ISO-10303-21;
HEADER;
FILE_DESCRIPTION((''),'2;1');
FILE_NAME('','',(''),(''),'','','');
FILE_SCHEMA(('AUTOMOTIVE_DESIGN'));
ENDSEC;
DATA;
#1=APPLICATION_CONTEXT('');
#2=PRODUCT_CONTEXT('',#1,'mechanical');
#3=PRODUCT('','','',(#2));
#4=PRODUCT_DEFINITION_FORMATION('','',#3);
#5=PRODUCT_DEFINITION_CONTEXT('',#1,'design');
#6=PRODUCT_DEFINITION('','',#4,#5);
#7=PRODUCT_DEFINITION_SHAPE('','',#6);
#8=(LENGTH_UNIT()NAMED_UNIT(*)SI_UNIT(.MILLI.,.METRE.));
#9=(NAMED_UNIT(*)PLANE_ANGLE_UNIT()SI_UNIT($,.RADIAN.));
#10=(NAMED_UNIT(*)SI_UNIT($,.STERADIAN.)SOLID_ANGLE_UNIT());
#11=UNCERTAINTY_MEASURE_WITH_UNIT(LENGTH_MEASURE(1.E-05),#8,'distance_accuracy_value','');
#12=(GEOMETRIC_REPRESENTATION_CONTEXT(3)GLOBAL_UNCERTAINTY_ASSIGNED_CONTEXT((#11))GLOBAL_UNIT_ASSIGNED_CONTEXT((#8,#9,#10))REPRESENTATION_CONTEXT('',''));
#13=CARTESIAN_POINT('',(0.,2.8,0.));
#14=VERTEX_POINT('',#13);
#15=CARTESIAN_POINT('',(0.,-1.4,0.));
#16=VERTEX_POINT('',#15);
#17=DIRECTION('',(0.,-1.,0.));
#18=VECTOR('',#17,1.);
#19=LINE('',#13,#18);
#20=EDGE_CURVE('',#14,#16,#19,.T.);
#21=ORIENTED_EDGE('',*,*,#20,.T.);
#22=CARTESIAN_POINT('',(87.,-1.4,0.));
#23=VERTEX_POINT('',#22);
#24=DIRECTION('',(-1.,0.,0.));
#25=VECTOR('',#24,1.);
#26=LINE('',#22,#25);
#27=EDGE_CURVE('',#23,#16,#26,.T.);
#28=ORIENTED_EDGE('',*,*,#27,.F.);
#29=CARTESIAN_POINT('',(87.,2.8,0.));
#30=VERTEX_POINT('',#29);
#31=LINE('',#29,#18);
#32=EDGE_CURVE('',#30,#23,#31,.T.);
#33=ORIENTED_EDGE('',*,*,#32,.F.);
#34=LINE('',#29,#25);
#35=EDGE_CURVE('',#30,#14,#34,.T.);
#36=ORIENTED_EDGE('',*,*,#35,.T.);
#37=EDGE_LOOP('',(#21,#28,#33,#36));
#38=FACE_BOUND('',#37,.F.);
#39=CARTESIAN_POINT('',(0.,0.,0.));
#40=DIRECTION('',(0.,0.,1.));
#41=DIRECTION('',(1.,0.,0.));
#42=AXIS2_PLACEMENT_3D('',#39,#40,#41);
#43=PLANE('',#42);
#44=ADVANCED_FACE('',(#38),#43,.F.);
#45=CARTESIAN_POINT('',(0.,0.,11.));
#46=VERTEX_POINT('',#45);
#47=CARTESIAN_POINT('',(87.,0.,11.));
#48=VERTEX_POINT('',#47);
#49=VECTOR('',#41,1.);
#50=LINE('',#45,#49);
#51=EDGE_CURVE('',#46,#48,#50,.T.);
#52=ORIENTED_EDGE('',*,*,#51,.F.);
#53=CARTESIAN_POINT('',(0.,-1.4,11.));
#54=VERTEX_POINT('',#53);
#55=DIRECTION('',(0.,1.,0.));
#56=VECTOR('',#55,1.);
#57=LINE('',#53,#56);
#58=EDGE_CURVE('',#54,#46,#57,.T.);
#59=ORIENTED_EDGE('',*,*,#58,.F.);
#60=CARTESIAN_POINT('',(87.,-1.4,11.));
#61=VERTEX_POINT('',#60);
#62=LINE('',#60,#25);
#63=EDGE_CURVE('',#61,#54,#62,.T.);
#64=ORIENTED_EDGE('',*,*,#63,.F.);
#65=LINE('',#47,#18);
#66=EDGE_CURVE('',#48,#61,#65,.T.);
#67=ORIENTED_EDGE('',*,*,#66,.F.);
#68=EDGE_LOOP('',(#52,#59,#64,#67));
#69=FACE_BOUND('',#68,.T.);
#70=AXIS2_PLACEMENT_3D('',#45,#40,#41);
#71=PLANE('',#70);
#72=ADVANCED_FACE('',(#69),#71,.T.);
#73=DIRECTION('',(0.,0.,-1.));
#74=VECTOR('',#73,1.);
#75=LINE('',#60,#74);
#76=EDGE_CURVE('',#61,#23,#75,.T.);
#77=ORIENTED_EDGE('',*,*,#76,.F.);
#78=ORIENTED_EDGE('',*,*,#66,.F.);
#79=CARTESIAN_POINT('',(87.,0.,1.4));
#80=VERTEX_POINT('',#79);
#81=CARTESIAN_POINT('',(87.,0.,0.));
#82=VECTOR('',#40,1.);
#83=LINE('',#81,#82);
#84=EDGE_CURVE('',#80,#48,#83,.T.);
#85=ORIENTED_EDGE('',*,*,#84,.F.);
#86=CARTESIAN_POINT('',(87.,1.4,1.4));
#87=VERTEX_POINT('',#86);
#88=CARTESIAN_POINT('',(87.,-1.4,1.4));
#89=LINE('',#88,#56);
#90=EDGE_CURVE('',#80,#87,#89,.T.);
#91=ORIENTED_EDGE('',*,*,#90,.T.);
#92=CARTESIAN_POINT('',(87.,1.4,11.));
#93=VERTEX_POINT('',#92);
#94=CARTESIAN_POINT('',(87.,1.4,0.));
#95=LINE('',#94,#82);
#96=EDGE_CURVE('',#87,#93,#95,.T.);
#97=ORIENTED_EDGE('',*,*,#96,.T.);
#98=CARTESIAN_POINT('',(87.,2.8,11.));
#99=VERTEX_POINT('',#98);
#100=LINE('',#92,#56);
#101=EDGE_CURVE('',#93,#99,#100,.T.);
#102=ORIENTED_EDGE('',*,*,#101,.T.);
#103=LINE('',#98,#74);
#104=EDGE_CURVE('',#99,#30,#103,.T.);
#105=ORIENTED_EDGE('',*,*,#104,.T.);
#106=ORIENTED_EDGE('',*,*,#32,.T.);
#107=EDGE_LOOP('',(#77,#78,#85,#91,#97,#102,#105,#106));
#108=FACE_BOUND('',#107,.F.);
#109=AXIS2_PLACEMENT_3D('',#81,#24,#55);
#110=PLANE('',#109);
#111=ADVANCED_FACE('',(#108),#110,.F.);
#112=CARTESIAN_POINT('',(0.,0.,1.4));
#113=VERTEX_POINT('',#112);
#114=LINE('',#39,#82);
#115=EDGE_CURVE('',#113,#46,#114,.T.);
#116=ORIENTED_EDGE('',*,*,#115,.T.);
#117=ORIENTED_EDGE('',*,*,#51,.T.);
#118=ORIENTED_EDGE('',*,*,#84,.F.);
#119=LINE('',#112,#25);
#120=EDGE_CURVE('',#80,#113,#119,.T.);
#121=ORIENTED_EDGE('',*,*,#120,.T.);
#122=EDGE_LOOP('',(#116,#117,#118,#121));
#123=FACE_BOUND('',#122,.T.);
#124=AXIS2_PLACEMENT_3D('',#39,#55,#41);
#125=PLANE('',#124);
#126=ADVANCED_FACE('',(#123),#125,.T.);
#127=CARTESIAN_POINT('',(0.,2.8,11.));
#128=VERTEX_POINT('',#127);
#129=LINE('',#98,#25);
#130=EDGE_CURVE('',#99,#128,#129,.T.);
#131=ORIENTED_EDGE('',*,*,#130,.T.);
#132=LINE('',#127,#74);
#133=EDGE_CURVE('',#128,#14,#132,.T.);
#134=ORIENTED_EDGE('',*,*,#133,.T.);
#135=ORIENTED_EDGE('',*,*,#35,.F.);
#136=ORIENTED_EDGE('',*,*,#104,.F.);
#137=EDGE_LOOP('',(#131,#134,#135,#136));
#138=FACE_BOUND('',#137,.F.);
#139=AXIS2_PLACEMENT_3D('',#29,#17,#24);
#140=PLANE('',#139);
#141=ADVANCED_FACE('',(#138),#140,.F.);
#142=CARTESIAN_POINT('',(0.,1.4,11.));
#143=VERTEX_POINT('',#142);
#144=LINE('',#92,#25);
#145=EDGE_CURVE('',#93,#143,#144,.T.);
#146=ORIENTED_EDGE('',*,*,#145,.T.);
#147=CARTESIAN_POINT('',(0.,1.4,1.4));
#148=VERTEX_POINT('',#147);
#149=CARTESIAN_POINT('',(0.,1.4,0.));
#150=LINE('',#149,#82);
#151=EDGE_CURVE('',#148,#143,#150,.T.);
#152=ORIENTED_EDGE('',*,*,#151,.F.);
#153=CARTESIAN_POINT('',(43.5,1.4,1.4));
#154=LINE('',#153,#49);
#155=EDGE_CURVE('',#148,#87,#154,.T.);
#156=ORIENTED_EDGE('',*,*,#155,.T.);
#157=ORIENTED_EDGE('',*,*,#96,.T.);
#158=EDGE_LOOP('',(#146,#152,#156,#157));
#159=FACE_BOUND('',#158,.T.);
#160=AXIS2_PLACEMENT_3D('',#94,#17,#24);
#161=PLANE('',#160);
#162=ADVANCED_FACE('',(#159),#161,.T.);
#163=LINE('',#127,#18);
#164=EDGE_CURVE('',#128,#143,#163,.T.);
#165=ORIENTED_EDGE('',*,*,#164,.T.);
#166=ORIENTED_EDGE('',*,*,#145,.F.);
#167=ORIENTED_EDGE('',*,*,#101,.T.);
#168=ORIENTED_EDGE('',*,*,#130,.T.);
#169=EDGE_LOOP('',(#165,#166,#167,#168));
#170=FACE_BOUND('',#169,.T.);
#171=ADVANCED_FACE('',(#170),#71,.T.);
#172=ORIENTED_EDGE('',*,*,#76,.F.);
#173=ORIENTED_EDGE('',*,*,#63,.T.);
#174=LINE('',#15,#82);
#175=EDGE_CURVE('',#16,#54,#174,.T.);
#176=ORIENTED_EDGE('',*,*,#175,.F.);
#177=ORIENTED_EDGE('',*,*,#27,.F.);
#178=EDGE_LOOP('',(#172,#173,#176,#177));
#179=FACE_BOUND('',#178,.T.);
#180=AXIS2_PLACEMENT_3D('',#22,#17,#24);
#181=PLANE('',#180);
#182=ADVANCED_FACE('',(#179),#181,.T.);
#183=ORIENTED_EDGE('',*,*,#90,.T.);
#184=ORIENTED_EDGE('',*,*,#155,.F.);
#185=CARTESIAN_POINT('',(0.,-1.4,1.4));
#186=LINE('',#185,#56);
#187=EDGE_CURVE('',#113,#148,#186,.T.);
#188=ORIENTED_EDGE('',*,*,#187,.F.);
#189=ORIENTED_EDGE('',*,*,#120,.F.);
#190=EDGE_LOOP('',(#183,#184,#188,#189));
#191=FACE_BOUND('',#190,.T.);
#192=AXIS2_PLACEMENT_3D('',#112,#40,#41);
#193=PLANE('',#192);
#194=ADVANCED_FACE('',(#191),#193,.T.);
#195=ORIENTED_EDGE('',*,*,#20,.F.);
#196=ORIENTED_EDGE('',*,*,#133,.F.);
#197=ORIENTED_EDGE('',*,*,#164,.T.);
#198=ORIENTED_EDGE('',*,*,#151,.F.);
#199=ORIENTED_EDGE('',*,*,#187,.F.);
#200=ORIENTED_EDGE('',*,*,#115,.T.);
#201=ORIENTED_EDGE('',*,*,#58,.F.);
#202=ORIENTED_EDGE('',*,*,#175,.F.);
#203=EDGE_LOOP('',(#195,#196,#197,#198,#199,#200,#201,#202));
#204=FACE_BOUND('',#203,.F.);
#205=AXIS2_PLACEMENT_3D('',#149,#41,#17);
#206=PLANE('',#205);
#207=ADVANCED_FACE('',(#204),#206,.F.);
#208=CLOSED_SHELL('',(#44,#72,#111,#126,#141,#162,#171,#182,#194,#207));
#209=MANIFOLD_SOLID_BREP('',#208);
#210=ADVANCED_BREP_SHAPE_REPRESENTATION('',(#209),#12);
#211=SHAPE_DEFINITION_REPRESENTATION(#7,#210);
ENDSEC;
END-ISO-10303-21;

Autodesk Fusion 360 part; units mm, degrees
sketch "Sketch1" plane through (0, 0, 0) normal (0, 0, 1) x (1, 0, 0)
  line L0 (0, 0) -> (87, 0)
  line L1 (87, 0) -> (87, 1.4)
  line L2 (87, 1.4) -> (0, 1.4)
  line L3 (0, 1.4) -> (0, 0)
  line L4 (0, 1.4) -> (87, 1.4)
  line L5 (87, 1.4) -> (87, 2.8)
  line L6 (87, 2.8) -> (0, 2.8)
  line L7 (0, 2.8) -> (0, 1.4)
  line L8 (0, 0) -> (87, 0)
  line L9 (87, 0) -> (87, -1.4)
  line L10 (87, -1.4) -> (0, -1.4)
  line L11 (0, -1.4) -> (0, 0)
  dimension "d1" = 1.4
  dimension "d2" = 87
  dimension "d3" = 1.4
  dimension "d4" = 1.4
extrude "Extrude1" add sketch "Sketch1" along normal blind 1.4
extrude "Extrude2" add sketch "Sketch1" along normal blind 11 contours L0 L8 L9 L10 L11 | L2 L4 L5 L6 L7
